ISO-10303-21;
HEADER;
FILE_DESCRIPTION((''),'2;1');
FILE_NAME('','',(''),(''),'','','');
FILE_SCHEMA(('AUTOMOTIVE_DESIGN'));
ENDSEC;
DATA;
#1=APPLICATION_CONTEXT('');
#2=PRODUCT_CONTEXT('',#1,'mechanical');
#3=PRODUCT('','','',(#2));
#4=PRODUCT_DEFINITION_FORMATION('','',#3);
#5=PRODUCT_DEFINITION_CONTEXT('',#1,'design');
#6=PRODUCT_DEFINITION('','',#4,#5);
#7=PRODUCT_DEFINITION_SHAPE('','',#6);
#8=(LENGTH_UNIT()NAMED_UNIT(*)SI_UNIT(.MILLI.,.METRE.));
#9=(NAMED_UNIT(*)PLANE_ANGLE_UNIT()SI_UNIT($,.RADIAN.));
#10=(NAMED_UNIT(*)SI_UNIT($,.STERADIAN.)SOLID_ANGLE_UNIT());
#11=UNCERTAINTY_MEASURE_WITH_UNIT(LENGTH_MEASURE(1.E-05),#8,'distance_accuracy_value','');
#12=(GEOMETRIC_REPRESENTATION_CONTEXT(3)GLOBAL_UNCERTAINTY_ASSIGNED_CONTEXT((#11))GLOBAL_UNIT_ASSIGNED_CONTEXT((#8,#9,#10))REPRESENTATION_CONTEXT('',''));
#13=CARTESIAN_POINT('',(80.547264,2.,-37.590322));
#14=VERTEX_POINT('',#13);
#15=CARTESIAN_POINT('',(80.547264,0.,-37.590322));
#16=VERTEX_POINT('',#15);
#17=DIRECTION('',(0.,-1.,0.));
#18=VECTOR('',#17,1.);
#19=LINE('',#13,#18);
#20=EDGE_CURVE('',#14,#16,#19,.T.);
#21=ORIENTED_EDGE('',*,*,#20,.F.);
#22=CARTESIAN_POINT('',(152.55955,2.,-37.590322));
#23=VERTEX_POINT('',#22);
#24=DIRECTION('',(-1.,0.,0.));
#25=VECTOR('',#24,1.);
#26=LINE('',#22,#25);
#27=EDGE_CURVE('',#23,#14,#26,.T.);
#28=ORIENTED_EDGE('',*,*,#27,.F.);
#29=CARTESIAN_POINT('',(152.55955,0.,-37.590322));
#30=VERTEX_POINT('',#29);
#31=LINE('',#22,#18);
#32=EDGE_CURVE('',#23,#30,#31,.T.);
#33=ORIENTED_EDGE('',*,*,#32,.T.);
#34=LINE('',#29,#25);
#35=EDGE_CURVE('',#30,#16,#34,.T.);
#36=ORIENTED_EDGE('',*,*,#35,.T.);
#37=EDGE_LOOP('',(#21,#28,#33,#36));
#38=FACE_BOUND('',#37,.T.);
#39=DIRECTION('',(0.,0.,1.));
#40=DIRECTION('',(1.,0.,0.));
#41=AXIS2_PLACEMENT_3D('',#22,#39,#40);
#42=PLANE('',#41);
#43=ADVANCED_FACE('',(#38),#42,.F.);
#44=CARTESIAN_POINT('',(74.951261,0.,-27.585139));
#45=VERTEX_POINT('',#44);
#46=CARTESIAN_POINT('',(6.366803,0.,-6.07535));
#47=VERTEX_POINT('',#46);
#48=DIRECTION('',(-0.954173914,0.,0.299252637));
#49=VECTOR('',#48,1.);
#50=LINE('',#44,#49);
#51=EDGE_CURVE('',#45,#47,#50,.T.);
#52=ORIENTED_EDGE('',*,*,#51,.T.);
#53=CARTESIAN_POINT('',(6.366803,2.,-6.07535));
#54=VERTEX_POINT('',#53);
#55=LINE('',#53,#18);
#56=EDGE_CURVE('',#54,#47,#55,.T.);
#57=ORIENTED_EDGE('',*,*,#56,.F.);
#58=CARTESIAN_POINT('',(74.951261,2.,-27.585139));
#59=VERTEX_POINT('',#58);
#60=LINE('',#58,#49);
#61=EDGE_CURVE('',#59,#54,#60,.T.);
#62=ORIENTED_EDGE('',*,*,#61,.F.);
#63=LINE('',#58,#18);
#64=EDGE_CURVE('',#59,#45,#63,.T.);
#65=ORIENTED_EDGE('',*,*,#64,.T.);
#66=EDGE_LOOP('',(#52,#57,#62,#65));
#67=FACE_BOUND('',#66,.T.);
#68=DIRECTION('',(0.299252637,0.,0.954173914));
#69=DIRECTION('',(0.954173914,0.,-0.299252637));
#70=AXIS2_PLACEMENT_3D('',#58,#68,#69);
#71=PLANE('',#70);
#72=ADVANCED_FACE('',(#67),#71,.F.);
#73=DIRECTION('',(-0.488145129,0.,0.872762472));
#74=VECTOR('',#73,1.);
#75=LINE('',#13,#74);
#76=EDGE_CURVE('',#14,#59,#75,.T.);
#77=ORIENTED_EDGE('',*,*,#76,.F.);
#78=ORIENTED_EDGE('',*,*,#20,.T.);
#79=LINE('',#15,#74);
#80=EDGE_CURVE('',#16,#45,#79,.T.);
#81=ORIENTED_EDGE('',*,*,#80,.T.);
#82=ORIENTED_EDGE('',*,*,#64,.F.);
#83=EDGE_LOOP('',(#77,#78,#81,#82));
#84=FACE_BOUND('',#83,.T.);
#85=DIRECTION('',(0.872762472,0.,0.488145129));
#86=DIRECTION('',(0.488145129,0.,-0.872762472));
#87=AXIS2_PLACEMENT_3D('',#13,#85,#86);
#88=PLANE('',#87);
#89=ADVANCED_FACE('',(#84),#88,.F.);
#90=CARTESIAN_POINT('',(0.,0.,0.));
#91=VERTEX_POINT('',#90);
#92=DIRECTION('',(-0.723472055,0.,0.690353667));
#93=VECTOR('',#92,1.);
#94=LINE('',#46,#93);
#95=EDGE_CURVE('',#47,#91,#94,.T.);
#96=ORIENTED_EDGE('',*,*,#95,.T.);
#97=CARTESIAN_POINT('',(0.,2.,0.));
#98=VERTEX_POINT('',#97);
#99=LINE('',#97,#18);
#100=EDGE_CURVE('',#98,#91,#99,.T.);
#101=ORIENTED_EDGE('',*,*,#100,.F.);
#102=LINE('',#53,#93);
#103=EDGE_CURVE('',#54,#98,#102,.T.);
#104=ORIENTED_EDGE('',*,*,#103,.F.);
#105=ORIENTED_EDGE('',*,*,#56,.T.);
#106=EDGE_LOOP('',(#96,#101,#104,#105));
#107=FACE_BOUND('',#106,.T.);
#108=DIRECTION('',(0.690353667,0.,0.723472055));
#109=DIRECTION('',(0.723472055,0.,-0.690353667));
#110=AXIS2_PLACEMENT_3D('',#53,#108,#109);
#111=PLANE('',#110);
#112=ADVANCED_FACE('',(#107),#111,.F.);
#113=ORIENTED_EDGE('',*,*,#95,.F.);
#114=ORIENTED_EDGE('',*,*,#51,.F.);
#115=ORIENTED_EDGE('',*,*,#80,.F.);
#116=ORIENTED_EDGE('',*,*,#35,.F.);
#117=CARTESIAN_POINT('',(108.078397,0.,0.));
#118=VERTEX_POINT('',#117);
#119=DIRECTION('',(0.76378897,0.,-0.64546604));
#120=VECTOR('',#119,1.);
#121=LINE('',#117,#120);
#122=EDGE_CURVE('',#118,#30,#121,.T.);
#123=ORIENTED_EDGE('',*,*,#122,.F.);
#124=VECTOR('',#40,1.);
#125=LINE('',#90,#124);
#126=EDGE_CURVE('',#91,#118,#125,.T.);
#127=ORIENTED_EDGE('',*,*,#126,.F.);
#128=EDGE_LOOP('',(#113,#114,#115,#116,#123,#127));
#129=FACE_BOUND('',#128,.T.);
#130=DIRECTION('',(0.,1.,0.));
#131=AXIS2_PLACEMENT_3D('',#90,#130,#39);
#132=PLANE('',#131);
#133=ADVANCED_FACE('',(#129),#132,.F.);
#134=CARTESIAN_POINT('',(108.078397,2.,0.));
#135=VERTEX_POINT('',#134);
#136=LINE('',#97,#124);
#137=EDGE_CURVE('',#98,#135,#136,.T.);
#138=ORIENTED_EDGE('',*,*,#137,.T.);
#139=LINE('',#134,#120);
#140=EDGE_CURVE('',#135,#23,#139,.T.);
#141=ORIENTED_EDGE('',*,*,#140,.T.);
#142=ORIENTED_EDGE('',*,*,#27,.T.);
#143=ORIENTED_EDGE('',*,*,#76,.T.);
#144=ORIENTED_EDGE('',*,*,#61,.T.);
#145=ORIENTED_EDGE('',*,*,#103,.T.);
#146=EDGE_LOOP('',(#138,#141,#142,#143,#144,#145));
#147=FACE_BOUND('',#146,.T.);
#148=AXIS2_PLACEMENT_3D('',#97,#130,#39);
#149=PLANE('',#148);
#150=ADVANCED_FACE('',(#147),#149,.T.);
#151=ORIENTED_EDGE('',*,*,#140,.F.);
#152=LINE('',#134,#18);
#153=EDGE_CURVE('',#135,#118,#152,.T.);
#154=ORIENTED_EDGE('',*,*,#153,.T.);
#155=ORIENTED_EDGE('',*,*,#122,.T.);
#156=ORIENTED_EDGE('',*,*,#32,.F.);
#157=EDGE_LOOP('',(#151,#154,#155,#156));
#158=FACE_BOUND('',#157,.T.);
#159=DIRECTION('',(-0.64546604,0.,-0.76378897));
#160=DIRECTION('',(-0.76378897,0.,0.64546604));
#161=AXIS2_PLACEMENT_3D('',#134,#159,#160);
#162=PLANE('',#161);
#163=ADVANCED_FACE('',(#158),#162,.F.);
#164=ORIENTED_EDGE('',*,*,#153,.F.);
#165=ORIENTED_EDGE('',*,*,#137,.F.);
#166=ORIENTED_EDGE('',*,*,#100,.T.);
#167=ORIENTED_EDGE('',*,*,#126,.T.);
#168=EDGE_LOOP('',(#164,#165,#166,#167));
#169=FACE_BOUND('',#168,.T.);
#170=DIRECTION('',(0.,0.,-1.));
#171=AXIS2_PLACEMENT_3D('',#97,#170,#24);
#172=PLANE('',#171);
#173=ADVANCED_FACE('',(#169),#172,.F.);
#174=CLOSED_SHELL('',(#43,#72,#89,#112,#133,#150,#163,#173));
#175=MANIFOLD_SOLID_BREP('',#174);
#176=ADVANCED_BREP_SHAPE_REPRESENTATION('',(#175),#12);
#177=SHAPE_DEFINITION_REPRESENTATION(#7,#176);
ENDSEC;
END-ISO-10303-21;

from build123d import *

# Parameters (mm, degrees)
BOSS_EXTRU_1_DEPTH = 2


with BuildPart() as part:
    # Esquisse1 → Boss.-Extru.1 (new body)
    with BuildSketch(Plane(origin=(0, 0, 0), x_dir=(1, 0, 0), z_dir=(0, 1, 0))):
        Polygon((152.559549771, 37.590321962), (80.54726419, 37.590321962), (74.951261467, 27.585139325), (6.366802996, 6.075349793), (0, 0), (108.0783974, 0), align=None)
    extrude(amount=BOSS_EXTRU_1_DEPTH)


solid = part.part
